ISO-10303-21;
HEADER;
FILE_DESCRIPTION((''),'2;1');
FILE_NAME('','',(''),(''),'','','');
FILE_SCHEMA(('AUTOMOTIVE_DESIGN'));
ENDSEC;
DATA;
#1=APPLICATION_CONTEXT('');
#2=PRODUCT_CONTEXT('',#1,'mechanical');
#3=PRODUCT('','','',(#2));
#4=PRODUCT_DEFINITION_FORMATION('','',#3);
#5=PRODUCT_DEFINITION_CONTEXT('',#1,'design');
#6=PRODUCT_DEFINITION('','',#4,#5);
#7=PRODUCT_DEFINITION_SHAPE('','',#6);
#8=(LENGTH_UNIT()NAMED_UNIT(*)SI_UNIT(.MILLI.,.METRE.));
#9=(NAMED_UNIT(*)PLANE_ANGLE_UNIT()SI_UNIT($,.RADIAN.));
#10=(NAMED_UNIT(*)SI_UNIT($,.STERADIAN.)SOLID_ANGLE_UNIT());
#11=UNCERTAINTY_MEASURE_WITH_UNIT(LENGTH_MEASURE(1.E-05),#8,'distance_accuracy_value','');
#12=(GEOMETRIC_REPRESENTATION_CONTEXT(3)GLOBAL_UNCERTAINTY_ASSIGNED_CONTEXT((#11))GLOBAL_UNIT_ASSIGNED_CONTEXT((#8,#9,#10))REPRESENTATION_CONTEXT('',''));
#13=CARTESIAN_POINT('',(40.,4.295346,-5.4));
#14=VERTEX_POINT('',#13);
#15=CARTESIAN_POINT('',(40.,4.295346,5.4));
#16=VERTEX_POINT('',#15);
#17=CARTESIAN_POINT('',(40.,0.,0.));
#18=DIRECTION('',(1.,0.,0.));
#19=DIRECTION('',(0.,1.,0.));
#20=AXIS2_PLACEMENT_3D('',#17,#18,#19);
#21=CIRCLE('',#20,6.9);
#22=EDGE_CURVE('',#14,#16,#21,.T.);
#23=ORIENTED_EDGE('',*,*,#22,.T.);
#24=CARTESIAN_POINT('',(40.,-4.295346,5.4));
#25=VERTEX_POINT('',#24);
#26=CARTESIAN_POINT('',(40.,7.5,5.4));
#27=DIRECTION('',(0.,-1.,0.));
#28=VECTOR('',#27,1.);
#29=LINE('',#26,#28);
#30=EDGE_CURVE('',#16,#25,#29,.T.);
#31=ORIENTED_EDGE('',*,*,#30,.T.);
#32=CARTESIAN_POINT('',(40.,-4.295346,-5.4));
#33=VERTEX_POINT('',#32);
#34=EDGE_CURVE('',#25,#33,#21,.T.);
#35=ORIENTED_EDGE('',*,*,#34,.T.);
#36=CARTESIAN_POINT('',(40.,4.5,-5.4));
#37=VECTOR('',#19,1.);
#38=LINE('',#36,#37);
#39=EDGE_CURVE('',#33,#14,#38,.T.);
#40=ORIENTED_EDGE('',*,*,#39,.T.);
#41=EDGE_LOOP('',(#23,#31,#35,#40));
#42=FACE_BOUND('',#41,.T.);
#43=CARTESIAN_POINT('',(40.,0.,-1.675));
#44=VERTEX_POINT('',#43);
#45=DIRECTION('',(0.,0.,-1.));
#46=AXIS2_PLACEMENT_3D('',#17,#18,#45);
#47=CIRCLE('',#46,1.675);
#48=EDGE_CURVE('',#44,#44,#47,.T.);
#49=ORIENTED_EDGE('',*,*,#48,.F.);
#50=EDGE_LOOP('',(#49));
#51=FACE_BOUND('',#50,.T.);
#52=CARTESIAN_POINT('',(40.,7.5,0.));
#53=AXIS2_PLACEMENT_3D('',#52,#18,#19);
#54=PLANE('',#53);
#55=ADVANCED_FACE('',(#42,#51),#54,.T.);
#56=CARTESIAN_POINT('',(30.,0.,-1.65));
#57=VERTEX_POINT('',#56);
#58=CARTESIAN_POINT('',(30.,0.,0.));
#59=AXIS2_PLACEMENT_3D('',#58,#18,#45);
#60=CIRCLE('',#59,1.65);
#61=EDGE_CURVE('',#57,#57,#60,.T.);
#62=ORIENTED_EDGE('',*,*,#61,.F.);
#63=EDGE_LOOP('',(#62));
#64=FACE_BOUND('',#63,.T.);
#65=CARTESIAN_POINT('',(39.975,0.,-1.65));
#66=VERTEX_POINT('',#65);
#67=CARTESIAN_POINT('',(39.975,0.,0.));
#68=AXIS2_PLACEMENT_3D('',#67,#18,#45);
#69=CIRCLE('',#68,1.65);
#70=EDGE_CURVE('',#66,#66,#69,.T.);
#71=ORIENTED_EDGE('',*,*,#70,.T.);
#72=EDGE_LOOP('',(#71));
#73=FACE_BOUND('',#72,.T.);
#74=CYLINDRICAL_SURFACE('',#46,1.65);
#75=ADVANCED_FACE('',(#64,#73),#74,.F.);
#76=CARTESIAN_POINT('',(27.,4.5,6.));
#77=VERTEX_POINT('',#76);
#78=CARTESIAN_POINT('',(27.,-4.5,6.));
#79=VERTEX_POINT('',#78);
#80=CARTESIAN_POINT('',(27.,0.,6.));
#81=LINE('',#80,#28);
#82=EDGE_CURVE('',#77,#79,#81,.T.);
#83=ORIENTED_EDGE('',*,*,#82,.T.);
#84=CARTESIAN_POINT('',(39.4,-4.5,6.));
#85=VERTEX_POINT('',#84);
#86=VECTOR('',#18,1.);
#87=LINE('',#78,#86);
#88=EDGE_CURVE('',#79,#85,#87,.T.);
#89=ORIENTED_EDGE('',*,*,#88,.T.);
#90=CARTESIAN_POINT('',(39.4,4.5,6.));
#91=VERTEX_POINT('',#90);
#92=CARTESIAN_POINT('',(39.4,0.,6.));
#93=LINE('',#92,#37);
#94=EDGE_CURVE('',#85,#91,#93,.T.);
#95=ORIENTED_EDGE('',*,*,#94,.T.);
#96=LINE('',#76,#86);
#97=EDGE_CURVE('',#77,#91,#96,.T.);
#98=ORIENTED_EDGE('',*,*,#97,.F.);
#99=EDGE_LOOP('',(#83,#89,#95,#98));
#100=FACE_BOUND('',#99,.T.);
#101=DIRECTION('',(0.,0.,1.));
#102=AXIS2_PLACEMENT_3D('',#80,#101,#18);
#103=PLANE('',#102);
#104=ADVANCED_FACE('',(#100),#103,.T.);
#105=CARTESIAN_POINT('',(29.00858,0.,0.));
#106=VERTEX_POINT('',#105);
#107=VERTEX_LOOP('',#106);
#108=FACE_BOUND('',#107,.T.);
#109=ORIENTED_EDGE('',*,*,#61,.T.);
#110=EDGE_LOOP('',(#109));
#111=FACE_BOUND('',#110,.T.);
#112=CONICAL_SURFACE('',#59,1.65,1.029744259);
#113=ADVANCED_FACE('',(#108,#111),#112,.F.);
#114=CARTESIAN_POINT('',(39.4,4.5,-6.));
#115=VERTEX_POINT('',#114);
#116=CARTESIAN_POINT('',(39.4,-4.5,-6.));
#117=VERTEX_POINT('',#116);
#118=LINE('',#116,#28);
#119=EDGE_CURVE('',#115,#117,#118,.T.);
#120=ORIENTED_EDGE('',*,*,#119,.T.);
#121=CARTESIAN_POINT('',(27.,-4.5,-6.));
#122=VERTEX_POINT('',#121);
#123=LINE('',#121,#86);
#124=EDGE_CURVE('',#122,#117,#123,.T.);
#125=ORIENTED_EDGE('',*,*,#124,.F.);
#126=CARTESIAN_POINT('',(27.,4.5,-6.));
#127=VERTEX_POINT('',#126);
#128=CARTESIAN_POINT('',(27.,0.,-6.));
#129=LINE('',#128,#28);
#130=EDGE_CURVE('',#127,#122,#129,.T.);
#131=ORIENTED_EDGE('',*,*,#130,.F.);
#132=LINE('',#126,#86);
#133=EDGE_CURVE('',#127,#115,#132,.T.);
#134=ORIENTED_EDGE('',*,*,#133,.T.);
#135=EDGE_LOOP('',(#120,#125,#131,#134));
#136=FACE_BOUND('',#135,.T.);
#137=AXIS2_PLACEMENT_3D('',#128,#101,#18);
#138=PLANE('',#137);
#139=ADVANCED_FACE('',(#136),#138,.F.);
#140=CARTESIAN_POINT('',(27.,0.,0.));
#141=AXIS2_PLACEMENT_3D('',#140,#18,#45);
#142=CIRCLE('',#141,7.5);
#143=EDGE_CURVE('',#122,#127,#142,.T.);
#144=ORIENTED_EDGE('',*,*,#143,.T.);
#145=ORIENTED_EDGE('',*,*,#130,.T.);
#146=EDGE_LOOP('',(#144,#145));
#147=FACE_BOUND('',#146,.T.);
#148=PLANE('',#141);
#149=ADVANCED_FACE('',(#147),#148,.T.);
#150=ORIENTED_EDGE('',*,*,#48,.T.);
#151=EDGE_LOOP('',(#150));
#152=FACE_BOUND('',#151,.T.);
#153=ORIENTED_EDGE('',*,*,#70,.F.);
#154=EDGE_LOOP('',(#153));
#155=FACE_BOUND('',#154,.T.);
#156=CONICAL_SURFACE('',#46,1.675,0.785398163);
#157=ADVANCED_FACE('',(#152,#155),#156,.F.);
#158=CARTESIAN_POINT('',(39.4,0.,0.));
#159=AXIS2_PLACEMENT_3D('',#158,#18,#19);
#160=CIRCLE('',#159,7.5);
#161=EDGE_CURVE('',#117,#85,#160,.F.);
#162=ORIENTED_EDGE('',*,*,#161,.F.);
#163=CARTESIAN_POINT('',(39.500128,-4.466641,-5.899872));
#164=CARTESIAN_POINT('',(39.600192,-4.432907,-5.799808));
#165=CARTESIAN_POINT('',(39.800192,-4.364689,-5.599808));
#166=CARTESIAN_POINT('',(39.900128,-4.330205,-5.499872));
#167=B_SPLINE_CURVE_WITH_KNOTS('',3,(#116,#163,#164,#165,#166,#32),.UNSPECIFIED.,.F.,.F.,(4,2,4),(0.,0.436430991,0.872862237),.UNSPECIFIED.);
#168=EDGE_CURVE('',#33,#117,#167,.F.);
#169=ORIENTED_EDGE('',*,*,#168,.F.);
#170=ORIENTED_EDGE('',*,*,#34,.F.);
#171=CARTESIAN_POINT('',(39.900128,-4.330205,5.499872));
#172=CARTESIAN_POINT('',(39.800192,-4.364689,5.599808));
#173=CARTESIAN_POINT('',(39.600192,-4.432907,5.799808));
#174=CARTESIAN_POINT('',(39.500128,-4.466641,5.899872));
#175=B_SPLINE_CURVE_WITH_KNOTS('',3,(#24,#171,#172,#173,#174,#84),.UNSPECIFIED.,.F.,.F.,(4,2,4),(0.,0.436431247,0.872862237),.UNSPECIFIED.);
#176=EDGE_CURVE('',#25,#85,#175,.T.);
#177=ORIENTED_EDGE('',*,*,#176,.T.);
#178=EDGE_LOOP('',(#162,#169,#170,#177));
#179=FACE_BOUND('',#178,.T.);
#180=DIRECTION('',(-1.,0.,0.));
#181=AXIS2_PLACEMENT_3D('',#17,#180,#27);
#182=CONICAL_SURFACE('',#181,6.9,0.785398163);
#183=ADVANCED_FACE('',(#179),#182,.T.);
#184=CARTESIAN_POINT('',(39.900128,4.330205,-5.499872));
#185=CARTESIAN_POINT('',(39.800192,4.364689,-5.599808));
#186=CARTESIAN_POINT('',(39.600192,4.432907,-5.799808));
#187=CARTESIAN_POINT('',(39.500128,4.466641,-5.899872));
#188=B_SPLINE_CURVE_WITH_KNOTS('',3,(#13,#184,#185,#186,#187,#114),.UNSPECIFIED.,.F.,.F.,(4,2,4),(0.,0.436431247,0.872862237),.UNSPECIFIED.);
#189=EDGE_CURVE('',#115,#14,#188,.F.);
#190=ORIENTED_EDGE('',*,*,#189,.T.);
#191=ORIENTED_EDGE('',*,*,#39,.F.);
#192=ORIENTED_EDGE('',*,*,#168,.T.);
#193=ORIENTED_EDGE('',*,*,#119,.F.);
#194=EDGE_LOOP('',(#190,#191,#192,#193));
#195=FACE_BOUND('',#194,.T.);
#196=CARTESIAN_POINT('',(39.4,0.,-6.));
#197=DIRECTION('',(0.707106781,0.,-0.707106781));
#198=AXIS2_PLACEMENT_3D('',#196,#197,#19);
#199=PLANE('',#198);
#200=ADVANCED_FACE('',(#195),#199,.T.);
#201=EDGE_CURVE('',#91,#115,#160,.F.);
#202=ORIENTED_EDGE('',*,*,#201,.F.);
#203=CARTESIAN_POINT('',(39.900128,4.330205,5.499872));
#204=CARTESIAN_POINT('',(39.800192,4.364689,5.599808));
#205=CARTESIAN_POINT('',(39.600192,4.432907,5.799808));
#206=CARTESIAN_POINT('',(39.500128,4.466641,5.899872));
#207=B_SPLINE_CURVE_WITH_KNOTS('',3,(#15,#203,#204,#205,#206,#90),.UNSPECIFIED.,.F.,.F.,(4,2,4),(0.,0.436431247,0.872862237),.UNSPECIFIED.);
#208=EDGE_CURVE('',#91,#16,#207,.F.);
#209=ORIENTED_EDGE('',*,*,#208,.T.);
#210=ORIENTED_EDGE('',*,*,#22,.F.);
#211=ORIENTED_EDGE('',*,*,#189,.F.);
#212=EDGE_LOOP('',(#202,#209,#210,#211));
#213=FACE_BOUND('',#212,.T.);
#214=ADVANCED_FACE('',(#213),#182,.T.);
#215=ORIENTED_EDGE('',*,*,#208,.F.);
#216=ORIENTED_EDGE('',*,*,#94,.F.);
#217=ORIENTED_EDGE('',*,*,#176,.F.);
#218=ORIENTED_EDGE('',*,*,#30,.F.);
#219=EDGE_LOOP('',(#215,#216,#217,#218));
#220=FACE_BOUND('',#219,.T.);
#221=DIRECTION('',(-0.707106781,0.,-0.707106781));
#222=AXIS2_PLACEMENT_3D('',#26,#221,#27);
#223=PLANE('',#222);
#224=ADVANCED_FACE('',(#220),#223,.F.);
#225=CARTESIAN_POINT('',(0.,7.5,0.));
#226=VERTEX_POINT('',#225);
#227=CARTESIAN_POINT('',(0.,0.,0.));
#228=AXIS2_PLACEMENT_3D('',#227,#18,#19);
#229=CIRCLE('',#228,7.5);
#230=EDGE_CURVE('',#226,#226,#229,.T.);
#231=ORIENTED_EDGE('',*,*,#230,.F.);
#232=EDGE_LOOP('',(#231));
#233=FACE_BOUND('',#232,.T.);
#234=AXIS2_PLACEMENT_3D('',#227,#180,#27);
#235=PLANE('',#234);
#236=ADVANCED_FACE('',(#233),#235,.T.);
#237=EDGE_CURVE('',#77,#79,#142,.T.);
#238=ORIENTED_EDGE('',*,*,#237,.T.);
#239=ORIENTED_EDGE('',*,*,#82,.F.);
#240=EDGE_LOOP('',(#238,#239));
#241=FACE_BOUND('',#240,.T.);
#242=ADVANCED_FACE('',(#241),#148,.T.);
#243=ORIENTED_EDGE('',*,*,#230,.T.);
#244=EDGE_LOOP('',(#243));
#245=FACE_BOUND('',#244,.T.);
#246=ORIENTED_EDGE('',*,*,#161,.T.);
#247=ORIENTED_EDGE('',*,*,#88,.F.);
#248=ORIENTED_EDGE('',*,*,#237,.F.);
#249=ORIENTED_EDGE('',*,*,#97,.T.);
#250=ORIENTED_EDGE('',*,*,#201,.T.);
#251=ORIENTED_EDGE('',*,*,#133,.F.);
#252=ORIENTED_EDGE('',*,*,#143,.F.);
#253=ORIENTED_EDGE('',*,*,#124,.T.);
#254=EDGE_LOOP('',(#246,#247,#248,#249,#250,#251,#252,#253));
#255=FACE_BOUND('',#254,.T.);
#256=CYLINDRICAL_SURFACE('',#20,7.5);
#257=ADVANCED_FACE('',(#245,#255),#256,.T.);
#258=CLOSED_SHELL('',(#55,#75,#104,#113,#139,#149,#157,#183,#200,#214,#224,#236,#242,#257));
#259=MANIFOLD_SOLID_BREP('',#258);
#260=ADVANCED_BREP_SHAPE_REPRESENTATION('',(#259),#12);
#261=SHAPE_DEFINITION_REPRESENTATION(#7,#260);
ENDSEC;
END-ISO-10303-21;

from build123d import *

# Parameters (mm, degrees)
SKETCH1_W                         = 40
SKETCH1_H                         = 7.5
TAP_DRILL_FOR_M4_TAP1_D           = 3.3
TAP_DRILL_FOR_M4_TAP1_DEPTH       = 10
TAP_DRILL_FOR_M4_TAP1_CSINK_D     = 3.35
TAP_DRILL_FOR_M4_TAP1_CSINK_ANGLE = 90
TAP_DRILL_FOR_M4_TAP1_TIP         = 0.991420021
CUT_EXTRUDE1_DEPTH                = 13
CHAMFER1_SIZE                     = 0.6


with BuildPart() as part:
    # Sketch1 → Revolve1 (revolve)
    with BuildSketch(Plane.XY):
        with Locations((20, 3.75)):
            Rectangle(SKETCH1_W, SKETCH1_H)
    revolve(axis=Axis((40, 0, 0), (-1, 0, 0)))

    # Tap Drill for M4 Tap1
    with Locations(Plane(origin=(40, 0, 0), x_dir=(0, 0, -1), z_dir=(1, 0, 0))):
        with Locations((0, 0)):
            CounterSinkHole(TAP_DRILL_FOR_M4_TAP1_D / 2, TAP_DRILL_FOR_M4_TAP1_CSINK_D / 2, depth=TAP_DRILL_FOR_M4_TAP1_DEPTH, counter_sink_angle=TAP_DRILL_FOR_M4_TAP1_CSINK_ANGLE)
            with Locations((0, 0, -(TAP_DRILL_FOR_M4_TAP1_DEPTH + TAP_DRILL_FOR_M4_TAP1_TIP / 2))):  # 118° drill point
                Cone(0, TAP_DRILL_FOR_M4_TAP1_D / 2, TAP_DRILL_FOR_M4_TAP1_TIP, mode=Mode.SUBTRACT)

    # Sketch6 → Cut-Extrude1 (cut)
    with BuildSketch(Plane(origin=(40, 0, 0), x_dir=(0, 0, -1), z_dir=(1, 0, 0))):
        with BuildLine():
            Line((-6, -4.5), (-6, 4.5))
            ThreePointArc((-6, 4.5), (-7.5, 0), (-6, -4.5))
        make_face()
        with BuildLine():
            ThreePointArc((7.5, 0), (7.115124735, 2.371708245), (6, 4.5))
            Line((6, 4.5), (6, -4.5))
            ThreePointArc((6, -4.5), (7.115124735, -2.371708245), (7.5, 0))
        make_face()
    extrude(amount=-CUT_EXTRUDE1_DEPTH, mode=Mode.SUBTRACT)

    # Chamfer1
    chamfer1_edges = [part.edges().sort_by_distance(p)[0] for p in [
        (40, -7.5, 0),
        (40, 6.708203932, -3.354101966),
        (40, 0, 6),
        (40, 0, -6),
    ]]
    chamfer(chamfer1_edges, length=CHAMFER1_SIZE)


solid = part.part
